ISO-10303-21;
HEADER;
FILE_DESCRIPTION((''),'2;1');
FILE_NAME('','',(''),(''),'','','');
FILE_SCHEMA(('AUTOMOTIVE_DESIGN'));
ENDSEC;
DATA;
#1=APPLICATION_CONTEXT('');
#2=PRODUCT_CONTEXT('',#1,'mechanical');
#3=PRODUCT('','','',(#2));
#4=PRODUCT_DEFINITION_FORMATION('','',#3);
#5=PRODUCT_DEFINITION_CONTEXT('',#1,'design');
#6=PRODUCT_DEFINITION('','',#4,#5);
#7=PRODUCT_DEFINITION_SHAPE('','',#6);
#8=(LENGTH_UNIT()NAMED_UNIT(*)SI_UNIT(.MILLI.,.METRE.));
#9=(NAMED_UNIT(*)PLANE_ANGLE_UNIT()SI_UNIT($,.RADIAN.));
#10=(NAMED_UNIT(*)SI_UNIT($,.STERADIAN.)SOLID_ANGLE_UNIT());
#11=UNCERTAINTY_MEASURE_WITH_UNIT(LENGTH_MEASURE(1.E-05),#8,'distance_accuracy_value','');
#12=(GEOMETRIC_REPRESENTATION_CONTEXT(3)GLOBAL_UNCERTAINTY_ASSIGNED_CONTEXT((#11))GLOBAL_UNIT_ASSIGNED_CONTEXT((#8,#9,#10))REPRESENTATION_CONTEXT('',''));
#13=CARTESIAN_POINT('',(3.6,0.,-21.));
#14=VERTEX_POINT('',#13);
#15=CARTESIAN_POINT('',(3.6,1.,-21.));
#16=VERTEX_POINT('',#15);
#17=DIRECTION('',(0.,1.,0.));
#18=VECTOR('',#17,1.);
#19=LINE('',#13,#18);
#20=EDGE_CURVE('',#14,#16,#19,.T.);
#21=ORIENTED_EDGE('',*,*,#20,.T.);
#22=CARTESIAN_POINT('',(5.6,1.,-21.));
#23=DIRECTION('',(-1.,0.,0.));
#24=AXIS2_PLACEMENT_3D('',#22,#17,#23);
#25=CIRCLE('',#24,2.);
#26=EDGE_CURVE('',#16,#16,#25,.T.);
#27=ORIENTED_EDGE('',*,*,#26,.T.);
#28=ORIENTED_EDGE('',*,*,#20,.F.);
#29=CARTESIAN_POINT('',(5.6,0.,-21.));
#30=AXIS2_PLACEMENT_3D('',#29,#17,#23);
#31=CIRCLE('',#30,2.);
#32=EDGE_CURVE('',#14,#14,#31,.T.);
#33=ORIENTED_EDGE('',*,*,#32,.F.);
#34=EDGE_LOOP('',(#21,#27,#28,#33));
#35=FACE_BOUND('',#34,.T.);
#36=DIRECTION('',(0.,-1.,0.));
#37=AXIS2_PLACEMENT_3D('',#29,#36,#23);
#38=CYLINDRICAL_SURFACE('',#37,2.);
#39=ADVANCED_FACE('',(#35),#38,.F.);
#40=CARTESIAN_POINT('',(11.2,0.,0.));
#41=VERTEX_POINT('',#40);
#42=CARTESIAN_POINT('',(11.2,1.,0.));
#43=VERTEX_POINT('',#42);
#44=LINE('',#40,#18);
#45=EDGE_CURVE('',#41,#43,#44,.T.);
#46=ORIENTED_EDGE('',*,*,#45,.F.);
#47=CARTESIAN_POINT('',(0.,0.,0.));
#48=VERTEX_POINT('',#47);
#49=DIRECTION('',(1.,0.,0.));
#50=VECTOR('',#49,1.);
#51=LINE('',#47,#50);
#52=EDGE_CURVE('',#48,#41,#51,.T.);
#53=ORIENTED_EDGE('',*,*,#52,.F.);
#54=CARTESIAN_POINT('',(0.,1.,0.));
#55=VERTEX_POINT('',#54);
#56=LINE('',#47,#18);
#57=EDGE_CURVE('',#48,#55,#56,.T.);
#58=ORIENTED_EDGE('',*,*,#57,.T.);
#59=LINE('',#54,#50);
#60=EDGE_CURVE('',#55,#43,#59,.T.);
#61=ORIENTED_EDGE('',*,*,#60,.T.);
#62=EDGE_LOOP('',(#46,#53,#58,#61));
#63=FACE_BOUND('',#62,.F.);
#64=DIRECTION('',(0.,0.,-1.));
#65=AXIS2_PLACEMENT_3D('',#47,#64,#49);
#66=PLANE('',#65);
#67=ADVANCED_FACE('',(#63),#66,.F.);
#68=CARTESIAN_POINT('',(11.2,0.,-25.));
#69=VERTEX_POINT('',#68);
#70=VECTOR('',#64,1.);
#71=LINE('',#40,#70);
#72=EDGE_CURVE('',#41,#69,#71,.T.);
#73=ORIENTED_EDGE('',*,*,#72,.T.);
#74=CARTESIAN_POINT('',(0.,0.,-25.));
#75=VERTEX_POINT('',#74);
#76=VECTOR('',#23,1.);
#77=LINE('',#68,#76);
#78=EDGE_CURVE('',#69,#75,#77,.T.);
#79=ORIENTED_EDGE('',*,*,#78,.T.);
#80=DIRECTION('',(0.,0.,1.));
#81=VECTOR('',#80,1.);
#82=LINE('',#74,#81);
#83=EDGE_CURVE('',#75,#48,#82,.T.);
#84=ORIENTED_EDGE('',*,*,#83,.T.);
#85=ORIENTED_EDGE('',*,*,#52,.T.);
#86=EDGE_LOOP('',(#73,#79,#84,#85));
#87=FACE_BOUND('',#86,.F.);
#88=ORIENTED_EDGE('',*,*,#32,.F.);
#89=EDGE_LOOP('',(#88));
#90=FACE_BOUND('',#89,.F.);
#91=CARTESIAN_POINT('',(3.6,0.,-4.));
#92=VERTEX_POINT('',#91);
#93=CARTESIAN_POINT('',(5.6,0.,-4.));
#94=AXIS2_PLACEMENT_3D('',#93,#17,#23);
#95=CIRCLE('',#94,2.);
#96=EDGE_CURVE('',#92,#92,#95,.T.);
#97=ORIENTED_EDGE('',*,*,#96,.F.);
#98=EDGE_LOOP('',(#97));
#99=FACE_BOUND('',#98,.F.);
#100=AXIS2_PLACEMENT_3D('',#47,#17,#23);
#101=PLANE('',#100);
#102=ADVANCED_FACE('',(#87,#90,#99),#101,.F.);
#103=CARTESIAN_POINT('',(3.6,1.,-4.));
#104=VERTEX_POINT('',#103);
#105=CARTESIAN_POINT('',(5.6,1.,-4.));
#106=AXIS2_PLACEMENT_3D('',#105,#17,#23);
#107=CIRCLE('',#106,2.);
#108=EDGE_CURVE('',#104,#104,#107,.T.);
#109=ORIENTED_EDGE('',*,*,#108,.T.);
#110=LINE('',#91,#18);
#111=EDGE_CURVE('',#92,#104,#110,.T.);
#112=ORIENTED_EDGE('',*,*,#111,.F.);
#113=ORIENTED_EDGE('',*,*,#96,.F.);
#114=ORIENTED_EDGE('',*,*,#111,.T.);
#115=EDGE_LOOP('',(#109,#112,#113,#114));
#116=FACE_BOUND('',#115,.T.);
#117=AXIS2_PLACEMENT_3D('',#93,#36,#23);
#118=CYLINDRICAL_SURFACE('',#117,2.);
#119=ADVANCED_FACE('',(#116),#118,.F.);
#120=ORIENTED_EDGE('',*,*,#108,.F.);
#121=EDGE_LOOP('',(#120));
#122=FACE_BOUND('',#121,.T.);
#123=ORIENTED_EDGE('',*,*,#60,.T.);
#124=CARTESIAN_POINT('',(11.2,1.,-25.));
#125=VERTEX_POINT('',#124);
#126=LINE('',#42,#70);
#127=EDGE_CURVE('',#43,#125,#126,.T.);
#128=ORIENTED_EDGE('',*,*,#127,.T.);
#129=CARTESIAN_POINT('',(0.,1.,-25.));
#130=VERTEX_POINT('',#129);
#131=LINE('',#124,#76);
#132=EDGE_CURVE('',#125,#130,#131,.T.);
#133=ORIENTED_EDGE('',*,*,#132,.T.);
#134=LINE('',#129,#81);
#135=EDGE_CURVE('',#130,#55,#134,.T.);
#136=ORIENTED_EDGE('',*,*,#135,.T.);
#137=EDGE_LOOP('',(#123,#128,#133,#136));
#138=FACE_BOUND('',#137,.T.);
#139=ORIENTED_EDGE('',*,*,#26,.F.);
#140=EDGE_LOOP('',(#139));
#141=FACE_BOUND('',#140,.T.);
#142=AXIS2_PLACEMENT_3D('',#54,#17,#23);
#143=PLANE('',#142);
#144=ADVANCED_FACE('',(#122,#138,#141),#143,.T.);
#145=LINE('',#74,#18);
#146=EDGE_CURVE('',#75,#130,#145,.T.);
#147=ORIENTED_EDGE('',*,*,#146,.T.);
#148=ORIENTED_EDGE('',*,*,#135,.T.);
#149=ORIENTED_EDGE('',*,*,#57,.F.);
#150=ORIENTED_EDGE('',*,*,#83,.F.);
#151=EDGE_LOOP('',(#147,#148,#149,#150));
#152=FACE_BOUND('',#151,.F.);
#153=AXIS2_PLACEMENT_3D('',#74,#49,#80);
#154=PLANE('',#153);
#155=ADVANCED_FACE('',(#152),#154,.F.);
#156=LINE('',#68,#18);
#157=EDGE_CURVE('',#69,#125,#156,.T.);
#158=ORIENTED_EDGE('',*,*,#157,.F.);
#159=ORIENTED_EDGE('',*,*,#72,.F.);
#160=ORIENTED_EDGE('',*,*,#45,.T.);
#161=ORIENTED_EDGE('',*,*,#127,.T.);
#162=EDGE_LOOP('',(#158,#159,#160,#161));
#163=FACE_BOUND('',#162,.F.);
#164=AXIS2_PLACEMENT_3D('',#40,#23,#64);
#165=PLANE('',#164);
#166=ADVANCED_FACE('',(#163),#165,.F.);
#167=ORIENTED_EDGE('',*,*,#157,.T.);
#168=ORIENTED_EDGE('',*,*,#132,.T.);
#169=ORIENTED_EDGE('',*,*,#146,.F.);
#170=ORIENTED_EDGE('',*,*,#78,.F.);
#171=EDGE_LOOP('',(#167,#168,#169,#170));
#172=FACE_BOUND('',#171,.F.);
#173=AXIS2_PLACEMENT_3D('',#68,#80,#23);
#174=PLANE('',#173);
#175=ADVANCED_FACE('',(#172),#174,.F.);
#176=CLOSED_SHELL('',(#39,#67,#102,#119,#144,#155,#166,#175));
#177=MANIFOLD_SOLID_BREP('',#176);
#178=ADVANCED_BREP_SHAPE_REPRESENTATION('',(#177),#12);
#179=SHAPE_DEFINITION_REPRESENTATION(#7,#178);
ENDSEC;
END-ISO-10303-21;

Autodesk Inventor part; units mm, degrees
ref_plane "YZ Plane" through (0, 0, 0) normal (1, 0, 0) x (0, 1, 0)
ref_plane "XZ Plane" through (0, 0, 0) normal (0, 1, 0) x (-1, 0, 0)
ref_plane "XY Plane" through (0, 0, 0) normal (0, 0, 1) x (1, 0, 0)
sketch "Sketch1" plane through (0, 0, 0) normal (0, 1, 0) x (-1, 0, 0)
  line L0 (0, 0) -> (-11.2, 0)
  line L1 (-11.2, 0) -> (-11.2, -25)
  line L2 (-11.2, -25) -> (0, -25)
  line L3 (0, -25) -> (0, 0)
  circle A0 centre (-5.6, -4) radius 2
  circle A1 centre (-5.6, -21) radius 2
  dimension "d0" = 25
  dimension "d1" = 11.2
  dimension "d7" = 4
  dimension "d8" = 4
  dimension "d9" = 17
  dimension "d10" = 5.6
  dimension "d11" = 4
  dimension "d12" = 4
extrude "Extrusion1" add sketch "Sketch1" along normal blind 1
properties part number "Adjustments"
